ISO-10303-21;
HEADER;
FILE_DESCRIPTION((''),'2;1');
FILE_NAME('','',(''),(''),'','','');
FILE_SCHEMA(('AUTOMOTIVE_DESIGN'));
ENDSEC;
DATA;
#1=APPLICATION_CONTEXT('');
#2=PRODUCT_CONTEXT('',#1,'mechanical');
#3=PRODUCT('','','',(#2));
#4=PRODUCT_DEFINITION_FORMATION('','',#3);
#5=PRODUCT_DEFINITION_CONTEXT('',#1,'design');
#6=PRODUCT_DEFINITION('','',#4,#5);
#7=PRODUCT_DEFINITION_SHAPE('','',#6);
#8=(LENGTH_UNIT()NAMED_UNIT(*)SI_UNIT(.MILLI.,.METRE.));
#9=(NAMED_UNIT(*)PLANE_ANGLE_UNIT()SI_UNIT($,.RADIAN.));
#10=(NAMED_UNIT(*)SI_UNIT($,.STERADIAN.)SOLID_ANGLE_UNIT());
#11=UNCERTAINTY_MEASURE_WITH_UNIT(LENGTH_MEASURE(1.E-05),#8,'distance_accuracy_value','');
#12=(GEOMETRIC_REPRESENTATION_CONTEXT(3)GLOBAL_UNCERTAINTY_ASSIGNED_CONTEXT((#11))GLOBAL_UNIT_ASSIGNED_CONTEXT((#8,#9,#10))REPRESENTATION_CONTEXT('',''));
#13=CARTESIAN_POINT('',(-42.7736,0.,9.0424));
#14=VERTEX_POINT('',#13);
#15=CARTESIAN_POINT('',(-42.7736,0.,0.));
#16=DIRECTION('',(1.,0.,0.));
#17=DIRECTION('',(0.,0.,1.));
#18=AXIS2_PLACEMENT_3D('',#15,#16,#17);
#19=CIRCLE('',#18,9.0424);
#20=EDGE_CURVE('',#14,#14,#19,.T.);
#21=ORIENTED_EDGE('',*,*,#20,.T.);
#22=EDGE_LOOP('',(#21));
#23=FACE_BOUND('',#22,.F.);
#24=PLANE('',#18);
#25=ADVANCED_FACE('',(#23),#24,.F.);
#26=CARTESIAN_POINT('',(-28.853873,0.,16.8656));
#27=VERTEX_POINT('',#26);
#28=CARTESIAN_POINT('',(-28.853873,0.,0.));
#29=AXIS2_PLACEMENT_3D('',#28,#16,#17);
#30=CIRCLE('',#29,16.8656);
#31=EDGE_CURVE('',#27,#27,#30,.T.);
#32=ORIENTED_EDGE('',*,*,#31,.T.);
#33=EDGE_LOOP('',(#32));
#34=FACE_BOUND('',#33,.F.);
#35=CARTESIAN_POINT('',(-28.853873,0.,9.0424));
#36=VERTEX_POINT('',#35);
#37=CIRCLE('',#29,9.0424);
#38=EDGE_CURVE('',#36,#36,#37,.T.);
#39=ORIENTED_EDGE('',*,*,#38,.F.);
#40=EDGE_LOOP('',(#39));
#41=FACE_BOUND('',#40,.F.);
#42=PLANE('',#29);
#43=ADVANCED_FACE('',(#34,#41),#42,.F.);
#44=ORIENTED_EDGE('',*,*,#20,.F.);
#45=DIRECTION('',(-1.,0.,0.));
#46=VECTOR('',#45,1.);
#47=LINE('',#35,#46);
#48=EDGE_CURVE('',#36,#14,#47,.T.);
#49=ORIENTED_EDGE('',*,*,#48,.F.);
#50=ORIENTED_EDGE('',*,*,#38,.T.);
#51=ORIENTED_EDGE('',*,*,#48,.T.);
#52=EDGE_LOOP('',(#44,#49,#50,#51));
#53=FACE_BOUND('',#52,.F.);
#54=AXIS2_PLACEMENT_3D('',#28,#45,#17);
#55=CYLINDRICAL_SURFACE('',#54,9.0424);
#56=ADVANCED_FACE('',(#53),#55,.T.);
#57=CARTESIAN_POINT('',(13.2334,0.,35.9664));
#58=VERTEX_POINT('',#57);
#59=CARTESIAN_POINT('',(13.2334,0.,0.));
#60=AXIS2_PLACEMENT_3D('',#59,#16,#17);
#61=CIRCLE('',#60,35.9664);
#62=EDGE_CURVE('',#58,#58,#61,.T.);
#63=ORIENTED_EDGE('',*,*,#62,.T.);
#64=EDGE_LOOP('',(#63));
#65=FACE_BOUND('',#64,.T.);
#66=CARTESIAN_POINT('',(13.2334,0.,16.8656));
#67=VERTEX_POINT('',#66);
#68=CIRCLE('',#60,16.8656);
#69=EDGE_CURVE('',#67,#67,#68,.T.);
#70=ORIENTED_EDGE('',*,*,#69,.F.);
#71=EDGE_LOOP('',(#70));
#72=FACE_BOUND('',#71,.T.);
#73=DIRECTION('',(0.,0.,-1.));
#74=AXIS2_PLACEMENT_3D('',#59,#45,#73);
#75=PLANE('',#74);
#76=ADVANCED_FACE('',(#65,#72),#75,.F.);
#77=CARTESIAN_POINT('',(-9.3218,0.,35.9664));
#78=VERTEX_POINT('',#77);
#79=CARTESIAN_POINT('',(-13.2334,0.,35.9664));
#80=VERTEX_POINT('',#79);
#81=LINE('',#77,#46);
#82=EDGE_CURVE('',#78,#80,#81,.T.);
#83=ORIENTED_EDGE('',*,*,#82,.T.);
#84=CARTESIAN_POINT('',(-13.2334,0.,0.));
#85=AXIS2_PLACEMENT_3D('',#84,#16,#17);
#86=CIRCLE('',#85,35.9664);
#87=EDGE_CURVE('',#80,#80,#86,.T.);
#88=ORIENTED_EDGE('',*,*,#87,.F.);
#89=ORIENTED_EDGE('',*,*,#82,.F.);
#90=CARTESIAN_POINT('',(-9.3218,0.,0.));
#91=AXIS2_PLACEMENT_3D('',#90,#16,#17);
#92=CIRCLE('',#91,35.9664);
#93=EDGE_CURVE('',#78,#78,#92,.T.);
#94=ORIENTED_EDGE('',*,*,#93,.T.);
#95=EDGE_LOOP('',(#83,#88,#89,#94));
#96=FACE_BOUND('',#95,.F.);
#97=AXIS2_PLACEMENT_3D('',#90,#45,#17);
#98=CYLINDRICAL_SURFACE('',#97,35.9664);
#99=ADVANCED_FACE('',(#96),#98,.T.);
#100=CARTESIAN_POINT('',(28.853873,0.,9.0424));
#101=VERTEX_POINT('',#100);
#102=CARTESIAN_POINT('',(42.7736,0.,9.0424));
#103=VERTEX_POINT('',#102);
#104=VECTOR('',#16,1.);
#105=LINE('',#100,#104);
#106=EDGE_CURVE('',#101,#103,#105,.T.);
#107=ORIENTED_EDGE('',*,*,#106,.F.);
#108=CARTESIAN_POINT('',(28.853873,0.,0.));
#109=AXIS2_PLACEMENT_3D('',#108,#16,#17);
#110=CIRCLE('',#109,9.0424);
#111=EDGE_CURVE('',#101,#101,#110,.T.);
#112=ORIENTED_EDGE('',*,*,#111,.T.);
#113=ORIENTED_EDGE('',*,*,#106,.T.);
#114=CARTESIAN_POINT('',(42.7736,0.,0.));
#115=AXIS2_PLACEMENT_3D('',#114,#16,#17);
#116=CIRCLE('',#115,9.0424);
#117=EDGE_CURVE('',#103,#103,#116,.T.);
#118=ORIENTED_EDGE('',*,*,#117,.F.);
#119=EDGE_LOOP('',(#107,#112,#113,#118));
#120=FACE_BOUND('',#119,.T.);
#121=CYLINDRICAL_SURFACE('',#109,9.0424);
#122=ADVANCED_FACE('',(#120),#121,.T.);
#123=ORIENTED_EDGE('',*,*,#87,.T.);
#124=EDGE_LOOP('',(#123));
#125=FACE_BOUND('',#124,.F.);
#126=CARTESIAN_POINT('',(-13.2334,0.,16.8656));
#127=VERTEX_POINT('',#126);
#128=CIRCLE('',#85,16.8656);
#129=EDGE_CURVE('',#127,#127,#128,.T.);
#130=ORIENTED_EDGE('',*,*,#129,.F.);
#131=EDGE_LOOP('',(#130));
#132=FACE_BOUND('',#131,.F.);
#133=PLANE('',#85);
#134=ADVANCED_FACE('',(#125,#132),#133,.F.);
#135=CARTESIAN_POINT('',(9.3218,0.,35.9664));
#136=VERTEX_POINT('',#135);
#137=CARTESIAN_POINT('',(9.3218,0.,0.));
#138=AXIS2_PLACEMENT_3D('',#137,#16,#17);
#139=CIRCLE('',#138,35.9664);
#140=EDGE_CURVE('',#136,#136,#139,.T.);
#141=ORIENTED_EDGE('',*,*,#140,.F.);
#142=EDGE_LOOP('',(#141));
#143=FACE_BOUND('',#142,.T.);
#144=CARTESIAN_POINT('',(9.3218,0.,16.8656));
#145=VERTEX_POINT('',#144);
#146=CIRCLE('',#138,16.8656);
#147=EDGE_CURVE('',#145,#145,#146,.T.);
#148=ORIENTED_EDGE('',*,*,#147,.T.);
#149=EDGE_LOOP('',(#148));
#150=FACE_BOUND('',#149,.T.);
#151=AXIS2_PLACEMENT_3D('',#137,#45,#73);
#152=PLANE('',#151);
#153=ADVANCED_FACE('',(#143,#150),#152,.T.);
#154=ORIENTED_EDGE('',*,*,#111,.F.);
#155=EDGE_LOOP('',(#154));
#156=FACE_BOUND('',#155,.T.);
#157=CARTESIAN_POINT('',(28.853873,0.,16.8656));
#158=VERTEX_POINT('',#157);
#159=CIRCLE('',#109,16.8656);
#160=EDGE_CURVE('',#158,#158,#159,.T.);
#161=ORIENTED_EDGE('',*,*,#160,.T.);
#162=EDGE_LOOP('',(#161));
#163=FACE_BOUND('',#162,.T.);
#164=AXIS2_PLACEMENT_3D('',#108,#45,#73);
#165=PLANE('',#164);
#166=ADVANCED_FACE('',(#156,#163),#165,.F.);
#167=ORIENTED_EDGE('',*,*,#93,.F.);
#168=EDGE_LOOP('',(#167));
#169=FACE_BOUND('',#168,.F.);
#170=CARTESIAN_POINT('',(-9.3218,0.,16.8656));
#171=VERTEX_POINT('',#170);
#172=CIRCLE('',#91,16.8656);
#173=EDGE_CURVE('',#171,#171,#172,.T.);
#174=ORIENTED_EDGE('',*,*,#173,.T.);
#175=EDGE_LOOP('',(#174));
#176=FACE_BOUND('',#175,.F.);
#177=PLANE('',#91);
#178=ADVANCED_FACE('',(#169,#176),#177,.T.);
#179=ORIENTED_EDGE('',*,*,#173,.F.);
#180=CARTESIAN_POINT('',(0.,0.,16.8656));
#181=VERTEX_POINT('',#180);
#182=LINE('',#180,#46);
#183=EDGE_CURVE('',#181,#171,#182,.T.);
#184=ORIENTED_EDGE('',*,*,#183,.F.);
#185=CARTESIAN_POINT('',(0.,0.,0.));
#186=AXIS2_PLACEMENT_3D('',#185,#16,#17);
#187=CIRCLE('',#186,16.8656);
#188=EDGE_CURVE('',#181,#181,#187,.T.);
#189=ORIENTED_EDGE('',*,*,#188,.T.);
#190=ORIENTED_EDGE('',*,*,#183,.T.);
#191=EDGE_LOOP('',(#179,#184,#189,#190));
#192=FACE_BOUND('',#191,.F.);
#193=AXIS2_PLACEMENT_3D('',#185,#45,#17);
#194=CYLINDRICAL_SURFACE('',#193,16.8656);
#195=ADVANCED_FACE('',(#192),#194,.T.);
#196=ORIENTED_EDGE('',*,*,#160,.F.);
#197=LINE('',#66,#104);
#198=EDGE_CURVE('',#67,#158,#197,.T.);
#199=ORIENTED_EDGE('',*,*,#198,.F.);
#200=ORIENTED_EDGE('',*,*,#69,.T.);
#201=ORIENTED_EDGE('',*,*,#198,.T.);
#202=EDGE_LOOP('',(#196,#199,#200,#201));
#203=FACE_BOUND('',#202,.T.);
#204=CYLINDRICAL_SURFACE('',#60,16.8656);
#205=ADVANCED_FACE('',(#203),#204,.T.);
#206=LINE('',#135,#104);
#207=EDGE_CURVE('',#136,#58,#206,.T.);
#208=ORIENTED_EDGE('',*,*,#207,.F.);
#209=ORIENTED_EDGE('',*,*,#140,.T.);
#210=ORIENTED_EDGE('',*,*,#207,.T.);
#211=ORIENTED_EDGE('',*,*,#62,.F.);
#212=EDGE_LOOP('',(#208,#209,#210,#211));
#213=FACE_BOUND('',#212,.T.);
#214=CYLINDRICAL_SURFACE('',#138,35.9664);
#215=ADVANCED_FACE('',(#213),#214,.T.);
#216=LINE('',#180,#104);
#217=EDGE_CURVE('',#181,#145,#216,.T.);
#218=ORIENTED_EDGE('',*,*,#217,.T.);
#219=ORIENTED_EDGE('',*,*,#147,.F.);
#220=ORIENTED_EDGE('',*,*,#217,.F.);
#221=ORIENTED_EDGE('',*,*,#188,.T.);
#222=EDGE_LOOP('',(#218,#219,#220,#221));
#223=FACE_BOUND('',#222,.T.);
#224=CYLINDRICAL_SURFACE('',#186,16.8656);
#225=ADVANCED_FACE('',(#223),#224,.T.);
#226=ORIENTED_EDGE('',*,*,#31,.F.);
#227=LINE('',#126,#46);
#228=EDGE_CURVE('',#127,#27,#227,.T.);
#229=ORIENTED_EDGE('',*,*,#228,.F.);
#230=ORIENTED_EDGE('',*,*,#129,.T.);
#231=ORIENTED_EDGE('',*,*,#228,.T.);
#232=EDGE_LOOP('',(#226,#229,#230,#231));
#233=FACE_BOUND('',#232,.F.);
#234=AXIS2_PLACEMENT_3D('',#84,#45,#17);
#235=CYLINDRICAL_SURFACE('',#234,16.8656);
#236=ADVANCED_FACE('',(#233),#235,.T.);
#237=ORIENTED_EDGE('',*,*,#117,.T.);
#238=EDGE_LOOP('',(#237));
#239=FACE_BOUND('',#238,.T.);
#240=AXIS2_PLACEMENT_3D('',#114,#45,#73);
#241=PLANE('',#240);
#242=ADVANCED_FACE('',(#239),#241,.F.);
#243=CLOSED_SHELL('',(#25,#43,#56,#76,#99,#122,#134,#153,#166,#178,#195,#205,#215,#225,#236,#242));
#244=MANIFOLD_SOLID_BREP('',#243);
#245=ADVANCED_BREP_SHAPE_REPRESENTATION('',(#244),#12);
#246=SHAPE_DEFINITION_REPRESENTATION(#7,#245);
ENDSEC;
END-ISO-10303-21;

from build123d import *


with BuildPart() as f1:
    # F0 (on Front) → F1 (revolve)
    with BuildSketch(Plane.XZ):
        Polygon((-9.3218, 35.9664), (-13.2334, 35.9664), (-13.2334, 16.8656), (-28.853873, 16.8656), (-28.853873, 9.0424), (-42.7736, 9.0424), (-42.7736, 0), (0, 0), (0, 16.8656), (-9.3218, 16.8656), align=None)
    revolve(axis=Axis((-21.3868, 0, 0), (1, 0, 0)))

    # F0 (on Front) → F2 (revolve)
    with BuildSketch(Plane.XZ):
        Polygon((-9.3218, 35.9664), (-13.2334, 35.9664), (-13.2334, 16.8656), (-28.853873, 16.8656), (-28.853873, 9.0424), (-42.7736, 9.0424), (-42.7736, 0), (0, 0), (0, 16.8656), (-9.3218, 16.8656), align=None)
    revolve(axis=Axis((0, 0, 0), (-1, 0, 0)))

    # F3: F1 across plane


with BuildPart() as f1_1:
    add(f1.part)
    add(f1.part.mirror(Plane.YZ))


solid = f1_1.part
